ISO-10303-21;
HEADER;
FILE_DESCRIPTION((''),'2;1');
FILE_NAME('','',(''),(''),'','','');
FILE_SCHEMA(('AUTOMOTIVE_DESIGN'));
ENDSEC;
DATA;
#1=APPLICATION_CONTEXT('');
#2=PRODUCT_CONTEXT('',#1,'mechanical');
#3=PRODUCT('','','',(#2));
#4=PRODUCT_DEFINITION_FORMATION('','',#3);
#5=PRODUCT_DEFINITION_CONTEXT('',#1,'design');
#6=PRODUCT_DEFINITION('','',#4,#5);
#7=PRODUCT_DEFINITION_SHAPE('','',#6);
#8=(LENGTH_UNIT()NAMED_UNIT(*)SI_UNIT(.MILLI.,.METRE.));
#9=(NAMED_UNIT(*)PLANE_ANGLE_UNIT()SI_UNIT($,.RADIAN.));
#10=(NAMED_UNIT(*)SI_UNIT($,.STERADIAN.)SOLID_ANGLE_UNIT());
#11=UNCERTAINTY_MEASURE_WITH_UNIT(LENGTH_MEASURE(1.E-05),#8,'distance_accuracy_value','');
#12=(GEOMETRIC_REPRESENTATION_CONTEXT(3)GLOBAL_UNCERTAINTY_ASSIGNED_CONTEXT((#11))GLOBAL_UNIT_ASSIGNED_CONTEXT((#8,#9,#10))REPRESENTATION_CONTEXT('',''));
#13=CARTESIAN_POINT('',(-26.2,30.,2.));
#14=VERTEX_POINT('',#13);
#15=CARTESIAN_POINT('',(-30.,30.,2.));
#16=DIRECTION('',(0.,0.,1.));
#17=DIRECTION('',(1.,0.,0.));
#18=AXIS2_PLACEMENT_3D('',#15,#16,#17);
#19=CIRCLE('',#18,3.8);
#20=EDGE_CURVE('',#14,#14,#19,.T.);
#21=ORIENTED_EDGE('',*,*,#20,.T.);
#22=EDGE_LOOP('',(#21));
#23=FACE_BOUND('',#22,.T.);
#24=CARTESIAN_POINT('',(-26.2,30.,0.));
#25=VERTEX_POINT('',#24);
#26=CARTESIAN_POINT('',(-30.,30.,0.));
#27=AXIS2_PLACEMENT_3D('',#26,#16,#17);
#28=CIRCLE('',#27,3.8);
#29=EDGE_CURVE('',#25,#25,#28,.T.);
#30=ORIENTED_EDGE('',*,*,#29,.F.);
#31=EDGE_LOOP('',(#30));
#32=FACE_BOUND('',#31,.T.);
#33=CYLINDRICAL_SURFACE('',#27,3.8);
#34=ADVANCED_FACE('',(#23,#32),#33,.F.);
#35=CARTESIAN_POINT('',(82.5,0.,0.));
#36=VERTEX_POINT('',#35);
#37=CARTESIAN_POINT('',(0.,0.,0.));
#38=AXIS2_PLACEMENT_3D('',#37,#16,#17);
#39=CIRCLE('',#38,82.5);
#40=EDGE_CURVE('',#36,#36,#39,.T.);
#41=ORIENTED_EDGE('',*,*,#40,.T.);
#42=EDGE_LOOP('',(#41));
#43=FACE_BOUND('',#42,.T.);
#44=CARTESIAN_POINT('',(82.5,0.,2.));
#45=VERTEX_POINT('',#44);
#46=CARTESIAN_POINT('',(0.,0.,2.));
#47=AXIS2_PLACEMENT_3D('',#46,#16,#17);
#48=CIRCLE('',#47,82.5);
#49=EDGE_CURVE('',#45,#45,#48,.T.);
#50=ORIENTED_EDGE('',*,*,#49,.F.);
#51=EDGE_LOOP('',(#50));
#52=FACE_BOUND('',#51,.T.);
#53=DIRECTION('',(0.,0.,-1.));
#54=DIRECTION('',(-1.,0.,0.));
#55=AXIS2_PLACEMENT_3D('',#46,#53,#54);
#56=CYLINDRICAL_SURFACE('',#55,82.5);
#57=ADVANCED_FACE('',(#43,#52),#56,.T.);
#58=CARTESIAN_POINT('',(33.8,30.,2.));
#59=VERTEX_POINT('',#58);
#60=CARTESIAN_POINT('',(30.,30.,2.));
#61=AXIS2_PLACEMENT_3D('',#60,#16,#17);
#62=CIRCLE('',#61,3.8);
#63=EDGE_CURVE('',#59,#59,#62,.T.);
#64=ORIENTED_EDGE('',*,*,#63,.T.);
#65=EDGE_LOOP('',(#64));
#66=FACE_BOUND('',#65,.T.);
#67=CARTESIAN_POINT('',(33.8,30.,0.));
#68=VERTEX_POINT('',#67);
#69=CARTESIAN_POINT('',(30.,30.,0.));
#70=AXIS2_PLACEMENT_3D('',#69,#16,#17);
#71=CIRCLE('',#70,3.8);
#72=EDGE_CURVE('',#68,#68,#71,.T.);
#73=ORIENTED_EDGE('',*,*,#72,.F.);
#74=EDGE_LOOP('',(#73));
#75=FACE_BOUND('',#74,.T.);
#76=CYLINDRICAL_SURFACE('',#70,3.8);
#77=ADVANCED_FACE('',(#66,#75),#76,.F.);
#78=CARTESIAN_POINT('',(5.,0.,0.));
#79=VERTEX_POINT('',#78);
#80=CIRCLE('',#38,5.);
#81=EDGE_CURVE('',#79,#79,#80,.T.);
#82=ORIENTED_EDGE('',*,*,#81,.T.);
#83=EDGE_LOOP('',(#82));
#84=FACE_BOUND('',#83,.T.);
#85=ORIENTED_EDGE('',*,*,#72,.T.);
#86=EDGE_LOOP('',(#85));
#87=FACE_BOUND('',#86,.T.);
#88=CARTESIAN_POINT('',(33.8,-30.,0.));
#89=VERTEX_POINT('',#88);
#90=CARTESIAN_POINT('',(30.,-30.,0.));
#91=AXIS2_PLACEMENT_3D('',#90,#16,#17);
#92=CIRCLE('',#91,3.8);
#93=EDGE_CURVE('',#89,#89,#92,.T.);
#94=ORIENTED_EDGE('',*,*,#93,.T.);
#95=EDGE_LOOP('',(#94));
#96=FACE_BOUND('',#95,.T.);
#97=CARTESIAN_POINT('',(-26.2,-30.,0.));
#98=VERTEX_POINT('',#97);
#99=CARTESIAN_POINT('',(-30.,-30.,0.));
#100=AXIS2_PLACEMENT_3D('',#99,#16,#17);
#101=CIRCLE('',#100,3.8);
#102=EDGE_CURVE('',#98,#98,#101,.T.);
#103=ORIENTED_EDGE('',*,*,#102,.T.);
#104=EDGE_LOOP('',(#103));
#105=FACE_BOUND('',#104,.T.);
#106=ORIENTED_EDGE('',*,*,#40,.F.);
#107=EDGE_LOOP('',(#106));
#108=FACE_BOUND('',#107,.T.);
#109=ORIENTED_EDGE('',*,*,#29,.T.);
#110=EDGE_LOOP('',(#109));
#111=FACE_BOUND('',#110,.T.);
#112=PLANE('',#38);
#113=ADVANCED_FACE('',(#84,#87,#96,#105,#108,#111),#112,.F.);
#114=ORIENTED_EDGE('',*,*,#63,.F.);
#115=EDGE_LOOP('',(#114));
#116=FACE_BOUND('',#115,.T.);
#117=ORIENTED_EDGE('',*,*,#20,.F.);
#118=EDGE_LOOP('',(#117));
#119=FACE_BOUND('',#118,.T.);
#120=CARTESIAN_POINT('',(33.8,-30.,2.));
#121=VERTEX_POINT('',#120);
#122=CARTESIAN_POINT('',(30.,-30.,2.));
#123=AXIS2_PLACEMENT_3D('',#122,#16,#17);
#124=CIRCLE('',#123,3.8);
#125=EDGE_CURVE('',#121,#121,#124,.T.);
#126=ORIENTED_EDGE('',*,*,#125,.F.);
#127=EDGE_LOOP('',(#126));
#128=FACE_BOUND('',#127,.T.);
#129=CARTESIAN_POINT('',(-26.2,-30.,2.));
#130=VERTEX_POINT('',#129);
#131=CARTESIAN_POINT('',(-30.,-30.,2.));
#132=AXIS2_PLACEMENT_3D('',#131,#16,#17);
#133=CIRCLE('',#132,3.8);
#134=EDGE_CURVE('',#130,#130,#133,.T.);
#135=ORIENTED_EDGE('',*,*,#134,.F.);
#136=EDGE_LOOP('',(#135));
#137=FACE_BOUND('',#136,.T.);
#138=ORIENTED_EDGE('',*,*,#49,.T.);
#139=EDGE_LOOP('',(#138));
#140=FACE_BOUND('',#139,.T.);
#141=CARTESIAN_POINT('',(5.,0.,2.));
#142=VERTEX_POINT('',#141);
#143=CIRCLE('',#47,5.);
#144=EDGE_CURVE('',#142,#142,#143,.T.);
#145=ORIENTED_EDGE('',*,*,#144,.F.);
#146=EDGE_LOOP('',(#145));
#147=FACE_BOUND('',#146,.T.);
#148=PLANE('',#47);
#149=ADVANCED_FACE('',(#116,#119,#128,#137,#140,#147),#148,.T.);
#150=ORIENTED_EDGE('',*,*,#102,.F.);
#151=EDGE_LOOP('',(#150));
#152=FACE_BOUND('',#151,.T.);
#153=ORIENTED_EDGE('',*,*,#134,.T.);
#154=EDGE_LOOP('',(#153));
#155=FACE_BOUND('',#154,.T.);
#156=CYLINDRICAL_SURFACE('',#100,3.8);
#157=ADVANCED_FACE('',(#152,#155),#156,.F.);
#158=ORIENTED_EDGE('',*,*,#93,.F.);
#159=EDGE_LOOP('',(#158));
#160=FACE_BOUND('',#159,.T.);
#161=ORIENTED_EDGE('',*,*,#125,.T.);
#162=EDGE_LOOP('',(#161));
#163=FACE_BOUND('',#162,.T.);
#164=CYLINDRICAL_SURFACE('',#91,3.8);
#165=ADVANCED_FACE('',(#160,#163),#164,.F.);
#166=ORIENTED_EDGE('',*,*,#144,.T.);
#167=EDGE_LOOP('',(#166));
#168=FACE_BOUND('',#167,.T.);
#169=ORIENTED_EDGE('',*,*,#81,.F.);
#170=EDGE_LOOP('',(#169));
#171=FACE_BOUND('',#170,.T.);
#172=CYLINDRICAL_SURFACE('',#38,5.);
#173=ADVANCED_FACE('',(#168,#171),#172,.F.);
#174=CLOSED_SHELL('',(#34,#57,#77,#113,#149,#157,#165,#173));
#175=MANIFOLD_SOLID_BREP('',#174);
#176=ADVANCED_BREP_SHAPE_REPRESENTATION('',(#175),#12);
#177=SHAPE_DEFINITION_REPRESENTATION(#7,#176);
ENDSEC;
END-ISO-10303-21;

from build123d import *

# Parameters (mm, degrees)
SKETCH_1_R          = 82.5
EXTRUDE_1_DEPTH     = 2
SKETCH_2_R          = 3.8
SKETCH_2_R_2        = 5
CUT_EXTRUDE_1_DEPTH = 117.689759619


with BuildPart() as part:
    # 草图1 → 凸台-拉伸1 (new body)
    with BuildSketch(Plane.XY):
        Circle(SKETCH_1_R)
    extrude(amount=EXTRUDE_1_DEPTH)

    # 草图2 → 切除-拉伸1 (cut, through all)
    with BuildSketch(Plane.XY.offset(2)):
        with Locations((30, 30)):
            Circle(SKETCH_2_R)
        with Locations((-30, 30)):
            Circle(SKETCH_2_R)
        with Locations((-30, -30)):
            Circle(SKETCH_2_R)
        with Locations((30, -30)):
            Circle(SKETCH_2_R)
        Circle(SKETCH_2_R_2)
    extrude(amount=-CUT_EXTRUDE_1_DEPTH, mode=Mode.SUBTRACT)


solid = part.part
